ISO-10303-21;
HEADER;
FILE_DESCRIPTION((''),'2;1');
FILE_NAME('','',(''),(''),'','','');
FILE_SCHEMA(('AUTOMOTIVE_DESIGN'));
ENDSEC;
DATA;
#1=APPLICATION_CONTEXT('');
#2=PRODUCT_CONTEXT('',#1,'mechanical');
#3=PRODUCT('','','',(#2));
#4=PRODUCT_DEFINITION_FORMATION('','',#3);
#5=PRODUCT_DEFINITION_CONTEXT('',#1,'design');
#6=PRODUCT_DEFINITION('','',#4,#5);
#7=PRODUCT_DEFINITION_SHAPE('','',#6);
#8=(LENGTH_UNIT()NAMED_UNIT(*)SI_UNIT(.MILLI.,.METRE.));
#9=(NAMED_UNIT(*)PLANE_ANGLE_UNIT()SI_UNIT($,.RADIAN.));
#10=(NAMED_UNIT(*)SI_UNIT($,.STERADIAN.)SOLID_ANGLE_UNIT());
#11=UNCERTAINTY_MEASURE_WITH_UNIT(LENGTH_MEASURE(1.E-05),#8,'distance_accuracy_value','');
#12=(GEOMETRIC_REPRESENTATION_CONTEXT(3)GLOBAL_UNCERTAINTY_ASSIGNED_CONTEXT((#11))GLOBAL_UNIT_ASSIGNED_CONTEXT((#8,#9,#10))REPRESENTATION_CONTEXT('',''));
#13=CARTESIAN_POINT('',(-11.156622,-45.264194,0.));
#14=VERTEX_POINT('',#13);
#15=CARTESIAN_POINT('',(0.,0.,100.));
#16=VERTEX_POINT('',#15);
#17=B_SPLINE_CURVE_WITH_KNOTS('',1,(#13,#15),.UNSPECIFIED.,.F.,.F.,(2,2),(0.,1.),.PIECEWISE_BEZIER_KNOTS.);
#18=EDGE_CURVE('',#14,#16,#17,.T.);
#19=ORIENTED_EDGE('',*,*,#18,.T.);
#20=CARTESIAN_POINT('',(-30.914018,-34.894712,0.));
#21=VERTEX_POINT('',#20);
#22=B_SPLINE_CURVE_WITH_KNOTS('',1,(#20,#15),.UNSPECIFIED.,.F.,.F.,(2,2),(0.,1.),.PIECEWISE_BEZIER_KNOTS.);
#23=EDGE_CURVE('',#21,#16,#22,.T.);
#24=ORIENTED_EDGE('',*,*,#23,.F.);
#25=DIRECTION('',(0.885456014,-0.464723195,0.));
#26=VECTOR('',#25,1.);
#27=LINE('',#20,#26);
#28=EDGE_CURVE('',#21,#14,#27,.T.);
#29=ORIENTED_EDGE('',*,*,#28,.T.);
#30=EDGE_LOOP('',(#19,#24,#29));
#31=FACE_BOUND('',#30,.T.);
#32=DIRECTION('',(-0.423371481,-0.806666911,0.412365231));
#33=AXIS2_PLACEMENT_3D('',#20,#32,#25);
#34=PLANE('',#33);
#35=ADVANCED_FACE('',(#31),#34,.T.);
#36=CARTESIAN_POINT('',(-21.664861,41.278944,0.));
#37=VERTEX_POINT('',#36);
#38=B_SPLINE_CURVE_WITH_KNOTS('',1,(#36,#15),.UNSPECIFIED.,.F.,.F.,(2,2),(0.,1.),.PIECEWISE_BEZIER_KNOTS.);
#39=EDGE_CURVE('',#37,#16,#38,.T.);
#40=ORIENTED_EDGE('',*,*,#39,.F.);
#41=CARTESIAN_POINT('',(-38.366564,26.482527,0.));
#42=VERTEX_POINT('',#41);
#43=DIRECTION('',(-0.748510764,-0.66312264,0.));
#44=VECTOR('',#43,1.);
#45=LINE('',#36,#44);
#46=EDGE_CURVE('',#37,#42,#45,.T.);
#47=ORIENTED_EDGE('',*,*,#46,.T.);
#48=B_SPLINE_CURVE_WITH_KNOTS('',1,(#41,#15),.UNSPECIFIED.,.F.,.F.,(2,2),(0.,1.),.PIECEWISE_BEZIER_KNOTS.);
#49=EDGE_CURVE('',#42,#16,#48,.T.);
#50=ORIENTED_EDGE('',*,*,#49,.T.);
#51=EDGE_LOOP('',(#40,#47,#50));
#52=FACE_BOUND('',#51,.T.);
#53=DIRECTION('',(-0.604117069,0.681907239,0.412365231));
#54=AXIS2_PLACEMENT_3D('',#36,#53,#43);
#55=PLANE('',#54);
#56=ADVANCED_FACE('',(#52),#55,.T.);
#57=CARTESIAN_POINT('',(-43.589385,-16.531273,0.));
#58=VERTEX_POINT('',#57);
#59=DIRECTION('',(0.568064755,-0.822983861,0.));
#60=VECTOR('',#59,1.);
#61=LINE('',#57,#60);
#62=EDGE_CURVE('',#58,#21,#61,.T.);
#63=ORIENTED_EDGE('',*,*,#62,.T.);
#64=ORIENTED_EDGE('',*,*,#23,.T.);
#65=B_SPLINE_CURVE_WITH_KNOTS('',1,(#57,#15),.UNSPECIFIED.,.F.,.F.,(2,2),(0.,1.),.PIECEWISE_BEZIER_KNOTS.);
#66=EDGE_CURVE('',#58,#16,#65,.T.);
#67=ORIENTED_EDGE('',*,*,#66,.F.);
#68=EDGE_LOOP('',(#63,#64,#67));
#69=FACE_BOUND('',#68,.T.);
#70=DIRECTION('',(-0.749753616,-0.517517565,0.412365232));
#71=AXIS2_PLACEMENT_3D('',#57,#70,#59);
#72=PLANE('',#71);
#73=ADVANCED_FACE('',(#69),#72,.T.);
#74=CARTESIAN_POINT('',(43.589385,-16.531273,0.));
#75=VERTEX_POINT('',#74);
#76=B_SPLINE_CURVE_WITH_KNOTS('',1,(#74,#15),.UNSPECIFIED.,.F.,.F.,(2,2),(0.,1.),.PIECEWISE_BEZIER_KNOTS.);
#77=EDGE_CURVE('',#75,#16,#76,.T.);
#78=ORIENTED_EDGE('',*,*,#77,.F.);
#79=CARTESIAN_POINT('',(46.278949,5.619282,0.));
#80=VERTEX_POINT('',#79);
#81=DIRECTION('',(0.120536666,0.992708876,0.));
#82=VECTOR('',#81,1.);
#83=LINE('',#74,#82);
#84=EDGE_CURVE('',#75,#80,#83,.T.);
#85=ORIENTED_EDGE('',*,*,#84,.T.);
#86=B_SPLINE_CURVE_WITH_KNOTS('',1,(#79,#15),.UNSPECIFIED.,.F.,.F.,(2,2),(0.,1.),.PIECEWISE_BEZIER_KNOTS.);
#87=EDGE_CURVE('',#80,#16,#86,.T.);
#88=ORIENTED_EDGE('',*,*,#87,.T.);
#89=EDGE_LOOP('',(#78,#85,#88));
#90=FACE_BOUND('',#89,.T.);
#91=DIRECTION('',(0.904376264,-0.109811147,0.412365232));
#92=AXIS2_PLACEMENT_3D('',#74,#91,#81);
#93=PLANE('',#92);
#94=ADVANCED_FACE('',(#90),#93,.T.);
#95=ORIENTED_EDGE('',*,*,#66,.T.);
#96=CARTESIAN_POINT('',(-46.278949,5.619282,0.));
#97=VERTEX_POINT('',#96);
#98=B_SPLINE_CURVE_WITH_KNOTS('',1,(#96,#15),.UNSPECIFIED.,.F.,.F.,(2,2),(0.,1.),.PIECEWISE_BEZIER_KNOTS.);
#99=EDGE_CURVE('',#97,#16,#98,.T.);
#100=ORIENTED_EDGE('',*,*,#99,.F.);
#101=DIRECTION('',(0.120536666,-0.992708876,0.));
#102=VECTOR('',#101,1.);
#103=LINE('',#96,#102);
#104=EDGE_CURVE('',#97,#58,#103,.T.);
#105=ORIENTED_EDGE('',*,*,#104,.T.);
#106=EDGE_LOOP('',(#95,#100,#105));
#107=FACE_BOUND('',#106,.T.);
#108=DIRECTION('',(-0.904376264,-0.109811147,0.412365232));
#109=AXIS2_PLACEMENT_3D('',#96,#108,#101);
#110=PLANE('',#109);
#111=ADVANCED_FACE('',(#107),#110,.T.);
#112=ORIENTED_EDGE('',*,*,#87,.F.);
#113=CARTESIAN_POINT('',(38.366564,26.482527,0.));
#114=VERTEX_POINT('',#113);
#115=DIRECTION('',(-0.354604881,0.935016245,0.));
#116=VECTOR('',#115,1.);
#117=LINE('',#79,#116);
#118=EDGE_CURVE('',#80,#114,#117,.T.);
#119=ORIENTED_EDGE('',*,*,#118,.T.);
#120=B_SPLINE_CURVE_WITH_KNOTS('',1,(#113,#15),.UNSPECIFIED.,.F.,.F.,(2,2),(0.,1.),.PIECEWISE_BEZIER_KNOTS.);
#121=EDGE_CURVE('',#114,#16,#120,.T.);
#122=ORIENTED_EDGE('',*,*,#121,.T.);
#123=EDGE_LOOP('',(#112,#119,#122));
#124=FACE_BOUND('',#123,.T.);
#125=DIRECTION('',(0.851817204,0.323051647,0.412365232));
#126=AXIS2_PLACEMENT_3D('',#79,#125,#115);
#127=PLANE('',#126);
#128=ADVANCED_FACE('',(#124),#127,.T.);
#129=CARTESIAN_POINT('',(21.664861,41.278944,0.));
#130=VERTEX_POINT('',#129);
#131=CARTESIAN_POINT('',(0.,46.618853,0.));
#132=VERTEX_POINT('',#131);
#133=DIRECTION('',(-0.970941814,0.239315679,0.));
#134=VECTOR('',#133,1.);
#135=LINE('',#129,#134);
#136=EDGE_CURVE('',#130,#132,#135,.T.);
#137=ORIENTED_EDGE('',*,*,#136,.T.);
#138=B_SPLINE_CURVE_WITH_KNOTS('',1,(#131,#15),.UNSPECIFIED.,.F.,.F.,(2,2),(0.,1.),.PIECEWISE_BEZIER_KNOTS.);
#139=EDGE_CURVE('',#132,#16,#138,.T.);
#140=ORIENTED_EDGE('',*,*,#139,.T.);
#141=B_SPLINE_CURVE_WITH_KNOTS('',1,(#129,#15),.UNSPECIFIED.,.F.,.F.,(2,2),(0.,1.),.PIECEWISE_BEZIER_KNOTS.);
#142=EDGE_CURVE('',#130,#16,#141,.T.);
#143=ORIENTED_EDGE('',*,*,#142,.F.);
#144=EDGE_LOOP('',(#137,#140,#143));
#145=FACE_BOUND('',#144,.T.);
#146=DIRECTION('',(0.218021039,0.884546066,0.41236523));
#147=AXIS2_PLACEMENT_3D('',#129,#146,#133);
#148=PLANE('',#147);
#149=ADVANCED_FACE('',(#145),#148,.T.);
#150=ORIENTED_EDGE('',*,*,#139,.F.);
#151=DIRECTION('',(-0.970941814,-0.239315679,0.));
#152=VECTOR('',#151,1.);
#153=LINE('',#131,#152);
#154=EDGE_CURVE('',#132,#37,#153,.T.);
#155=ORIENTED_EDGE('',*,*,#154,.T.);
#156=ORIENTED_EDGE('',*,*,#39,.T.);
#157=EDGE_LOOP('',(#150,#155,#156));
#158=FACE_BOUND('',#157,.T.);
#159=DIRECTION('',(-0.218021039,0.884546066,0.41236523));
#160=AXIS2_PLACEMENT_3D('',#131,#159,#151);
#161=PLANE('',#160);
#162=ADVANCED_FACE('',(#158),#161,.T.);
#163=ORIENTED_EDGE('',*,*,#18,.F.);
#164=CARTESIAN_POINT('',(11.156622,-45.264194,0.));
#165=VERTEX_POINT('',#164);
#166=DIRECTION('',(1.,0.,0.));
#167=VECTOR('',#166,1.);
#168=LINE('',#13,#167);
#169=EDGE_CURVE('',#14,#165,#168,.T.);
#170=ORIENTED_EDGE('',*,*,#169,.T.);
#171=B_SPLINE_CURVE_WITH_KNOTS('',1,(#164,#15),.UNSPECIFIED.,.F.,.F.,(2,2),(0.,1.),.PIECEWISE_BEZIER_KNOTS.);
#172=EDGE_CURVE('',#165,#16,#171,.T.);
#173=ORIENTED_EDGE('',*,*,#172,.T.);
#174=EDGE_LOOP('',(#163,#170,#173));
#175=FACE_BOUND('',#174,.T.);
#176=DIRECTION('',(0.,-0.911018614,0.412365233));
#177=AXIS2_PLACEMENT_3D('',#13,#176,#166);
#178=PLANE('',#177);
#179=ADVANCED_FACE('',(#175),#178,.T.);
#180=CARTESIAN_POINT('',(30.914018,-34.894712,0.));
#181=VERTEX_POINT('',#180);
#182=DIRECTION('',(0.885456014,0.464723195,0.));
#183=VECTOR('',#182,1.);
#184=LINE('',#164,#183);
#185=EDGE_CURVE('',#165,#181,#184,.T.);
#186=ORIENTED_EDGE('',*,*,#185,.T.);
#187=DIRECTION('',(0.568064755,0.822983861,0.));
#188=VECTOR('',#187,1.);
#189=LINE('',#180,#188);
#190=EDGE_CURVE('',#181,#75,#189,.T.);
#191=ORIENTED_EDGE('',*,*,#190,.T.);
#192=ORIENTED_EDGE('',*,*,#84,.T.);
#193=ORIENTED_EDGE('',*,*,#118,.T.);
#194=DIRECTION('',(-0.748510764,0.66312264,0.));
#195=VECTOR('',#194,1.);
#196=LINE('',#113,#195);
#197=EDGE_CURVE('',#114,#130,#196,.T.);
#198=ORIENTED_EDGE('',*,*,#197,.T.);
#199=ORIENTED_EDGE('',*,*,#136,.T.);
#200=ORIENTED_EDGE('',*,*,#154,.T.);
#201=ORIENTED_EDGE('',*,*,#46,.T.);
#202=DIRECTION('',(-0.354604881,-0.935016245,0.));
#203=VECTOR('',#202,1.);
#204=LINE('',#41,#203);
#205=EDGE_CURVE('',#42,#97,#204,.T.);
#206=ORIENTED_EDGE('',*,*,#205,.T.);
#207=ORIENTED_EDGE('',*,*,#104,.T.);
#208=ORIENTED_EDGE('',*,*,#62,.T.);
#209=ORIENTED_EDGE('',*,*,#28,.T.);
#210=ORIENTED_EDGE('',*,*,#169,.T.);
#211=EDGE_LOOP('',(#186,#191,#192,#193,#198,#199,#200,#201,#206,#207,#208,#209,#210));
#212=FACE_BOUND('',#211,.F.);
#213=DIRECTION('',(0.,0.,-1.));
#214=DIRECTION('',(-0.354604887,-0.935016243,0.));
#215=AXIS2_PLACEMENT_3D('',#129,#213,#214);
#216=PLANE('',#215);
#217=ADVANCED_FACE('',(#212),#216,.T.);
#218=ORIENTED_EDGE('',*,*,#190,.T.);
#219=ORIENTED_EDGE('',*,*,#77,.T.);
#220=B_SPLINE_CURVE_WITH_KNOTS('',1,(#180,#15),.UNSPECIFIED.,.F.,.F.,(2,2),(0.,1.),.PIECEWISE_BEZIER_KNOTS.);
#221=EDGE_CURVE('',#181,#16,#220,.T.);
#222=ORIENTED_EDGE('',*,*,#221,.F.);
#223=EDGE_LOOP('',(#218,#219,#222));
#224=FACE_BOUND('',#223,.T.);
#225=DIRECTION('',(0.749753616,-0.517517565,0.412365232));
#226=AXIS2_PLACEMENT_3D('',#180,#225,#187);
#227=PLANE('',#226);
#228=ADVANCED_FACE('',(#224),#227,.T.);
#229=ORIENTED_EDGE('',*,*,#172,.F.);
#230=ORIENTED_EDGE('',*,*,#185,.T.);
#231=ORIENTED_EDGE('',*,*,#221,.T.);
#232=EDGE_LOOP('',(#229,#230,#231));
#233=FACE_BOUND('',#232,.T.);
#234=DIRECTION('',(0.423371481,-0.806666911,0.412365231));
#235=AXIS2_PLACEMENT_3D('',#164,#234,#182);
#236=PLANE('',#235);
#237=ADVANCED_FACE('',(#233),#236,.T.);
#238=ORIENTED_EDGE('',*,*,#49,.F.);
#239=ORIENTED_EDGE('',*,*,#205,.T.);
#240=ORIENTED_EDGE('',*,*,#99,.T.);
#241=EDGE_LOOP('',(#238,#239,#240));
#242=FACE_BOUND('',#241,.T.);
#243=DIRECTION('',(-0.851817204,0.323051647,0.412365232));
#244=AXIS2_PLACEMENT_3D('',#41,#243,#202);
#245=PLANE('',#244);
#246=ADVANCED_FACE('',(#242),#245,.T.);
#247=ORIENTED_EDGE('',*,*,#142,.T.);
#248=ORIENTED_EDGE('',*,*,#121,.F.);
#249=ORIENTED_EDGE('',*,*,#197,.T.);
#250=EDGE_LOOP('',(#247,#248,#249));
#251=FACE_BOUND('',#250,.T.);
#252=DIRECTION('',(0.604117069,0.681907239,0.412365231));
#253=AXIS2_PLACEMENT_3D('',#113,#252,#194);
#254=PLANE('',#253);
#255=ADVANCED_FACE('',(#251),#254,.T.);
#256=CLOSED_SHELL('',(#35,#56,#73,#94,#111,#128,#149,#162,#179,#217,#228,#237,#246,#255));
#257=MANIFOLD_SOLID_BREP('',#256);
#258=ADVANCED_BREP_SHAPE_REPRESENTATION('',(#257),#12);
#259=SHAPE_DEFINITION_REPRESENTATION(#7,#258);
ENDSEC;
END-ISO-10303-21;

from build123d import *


with BuildPart() as f3:
    # F0 (on Top) → F3 section 0
    with BuildSketch(Plane.XY, mode=Mode.PRIVATE) as f3_s0:
        Polygon((21.664861, 41.278944), (0, 46.618853), (-21.664861, 41.278944), (-38.366564, 26.482527), (-46.278949, 5.619282), (-43.589385, -16.531273), (-30.914018, -34.894712), (-11.156622, -45.264194), (11.156622, -45.264194), (30.914018, -34.894712), (43.589385, -16.531273), (46.278949, 5.619282), (38.366564, 26.482527), align=None)
    loft([f3_s0.sketch, Vertex(0, 0, 100)])


solid = f3.part
